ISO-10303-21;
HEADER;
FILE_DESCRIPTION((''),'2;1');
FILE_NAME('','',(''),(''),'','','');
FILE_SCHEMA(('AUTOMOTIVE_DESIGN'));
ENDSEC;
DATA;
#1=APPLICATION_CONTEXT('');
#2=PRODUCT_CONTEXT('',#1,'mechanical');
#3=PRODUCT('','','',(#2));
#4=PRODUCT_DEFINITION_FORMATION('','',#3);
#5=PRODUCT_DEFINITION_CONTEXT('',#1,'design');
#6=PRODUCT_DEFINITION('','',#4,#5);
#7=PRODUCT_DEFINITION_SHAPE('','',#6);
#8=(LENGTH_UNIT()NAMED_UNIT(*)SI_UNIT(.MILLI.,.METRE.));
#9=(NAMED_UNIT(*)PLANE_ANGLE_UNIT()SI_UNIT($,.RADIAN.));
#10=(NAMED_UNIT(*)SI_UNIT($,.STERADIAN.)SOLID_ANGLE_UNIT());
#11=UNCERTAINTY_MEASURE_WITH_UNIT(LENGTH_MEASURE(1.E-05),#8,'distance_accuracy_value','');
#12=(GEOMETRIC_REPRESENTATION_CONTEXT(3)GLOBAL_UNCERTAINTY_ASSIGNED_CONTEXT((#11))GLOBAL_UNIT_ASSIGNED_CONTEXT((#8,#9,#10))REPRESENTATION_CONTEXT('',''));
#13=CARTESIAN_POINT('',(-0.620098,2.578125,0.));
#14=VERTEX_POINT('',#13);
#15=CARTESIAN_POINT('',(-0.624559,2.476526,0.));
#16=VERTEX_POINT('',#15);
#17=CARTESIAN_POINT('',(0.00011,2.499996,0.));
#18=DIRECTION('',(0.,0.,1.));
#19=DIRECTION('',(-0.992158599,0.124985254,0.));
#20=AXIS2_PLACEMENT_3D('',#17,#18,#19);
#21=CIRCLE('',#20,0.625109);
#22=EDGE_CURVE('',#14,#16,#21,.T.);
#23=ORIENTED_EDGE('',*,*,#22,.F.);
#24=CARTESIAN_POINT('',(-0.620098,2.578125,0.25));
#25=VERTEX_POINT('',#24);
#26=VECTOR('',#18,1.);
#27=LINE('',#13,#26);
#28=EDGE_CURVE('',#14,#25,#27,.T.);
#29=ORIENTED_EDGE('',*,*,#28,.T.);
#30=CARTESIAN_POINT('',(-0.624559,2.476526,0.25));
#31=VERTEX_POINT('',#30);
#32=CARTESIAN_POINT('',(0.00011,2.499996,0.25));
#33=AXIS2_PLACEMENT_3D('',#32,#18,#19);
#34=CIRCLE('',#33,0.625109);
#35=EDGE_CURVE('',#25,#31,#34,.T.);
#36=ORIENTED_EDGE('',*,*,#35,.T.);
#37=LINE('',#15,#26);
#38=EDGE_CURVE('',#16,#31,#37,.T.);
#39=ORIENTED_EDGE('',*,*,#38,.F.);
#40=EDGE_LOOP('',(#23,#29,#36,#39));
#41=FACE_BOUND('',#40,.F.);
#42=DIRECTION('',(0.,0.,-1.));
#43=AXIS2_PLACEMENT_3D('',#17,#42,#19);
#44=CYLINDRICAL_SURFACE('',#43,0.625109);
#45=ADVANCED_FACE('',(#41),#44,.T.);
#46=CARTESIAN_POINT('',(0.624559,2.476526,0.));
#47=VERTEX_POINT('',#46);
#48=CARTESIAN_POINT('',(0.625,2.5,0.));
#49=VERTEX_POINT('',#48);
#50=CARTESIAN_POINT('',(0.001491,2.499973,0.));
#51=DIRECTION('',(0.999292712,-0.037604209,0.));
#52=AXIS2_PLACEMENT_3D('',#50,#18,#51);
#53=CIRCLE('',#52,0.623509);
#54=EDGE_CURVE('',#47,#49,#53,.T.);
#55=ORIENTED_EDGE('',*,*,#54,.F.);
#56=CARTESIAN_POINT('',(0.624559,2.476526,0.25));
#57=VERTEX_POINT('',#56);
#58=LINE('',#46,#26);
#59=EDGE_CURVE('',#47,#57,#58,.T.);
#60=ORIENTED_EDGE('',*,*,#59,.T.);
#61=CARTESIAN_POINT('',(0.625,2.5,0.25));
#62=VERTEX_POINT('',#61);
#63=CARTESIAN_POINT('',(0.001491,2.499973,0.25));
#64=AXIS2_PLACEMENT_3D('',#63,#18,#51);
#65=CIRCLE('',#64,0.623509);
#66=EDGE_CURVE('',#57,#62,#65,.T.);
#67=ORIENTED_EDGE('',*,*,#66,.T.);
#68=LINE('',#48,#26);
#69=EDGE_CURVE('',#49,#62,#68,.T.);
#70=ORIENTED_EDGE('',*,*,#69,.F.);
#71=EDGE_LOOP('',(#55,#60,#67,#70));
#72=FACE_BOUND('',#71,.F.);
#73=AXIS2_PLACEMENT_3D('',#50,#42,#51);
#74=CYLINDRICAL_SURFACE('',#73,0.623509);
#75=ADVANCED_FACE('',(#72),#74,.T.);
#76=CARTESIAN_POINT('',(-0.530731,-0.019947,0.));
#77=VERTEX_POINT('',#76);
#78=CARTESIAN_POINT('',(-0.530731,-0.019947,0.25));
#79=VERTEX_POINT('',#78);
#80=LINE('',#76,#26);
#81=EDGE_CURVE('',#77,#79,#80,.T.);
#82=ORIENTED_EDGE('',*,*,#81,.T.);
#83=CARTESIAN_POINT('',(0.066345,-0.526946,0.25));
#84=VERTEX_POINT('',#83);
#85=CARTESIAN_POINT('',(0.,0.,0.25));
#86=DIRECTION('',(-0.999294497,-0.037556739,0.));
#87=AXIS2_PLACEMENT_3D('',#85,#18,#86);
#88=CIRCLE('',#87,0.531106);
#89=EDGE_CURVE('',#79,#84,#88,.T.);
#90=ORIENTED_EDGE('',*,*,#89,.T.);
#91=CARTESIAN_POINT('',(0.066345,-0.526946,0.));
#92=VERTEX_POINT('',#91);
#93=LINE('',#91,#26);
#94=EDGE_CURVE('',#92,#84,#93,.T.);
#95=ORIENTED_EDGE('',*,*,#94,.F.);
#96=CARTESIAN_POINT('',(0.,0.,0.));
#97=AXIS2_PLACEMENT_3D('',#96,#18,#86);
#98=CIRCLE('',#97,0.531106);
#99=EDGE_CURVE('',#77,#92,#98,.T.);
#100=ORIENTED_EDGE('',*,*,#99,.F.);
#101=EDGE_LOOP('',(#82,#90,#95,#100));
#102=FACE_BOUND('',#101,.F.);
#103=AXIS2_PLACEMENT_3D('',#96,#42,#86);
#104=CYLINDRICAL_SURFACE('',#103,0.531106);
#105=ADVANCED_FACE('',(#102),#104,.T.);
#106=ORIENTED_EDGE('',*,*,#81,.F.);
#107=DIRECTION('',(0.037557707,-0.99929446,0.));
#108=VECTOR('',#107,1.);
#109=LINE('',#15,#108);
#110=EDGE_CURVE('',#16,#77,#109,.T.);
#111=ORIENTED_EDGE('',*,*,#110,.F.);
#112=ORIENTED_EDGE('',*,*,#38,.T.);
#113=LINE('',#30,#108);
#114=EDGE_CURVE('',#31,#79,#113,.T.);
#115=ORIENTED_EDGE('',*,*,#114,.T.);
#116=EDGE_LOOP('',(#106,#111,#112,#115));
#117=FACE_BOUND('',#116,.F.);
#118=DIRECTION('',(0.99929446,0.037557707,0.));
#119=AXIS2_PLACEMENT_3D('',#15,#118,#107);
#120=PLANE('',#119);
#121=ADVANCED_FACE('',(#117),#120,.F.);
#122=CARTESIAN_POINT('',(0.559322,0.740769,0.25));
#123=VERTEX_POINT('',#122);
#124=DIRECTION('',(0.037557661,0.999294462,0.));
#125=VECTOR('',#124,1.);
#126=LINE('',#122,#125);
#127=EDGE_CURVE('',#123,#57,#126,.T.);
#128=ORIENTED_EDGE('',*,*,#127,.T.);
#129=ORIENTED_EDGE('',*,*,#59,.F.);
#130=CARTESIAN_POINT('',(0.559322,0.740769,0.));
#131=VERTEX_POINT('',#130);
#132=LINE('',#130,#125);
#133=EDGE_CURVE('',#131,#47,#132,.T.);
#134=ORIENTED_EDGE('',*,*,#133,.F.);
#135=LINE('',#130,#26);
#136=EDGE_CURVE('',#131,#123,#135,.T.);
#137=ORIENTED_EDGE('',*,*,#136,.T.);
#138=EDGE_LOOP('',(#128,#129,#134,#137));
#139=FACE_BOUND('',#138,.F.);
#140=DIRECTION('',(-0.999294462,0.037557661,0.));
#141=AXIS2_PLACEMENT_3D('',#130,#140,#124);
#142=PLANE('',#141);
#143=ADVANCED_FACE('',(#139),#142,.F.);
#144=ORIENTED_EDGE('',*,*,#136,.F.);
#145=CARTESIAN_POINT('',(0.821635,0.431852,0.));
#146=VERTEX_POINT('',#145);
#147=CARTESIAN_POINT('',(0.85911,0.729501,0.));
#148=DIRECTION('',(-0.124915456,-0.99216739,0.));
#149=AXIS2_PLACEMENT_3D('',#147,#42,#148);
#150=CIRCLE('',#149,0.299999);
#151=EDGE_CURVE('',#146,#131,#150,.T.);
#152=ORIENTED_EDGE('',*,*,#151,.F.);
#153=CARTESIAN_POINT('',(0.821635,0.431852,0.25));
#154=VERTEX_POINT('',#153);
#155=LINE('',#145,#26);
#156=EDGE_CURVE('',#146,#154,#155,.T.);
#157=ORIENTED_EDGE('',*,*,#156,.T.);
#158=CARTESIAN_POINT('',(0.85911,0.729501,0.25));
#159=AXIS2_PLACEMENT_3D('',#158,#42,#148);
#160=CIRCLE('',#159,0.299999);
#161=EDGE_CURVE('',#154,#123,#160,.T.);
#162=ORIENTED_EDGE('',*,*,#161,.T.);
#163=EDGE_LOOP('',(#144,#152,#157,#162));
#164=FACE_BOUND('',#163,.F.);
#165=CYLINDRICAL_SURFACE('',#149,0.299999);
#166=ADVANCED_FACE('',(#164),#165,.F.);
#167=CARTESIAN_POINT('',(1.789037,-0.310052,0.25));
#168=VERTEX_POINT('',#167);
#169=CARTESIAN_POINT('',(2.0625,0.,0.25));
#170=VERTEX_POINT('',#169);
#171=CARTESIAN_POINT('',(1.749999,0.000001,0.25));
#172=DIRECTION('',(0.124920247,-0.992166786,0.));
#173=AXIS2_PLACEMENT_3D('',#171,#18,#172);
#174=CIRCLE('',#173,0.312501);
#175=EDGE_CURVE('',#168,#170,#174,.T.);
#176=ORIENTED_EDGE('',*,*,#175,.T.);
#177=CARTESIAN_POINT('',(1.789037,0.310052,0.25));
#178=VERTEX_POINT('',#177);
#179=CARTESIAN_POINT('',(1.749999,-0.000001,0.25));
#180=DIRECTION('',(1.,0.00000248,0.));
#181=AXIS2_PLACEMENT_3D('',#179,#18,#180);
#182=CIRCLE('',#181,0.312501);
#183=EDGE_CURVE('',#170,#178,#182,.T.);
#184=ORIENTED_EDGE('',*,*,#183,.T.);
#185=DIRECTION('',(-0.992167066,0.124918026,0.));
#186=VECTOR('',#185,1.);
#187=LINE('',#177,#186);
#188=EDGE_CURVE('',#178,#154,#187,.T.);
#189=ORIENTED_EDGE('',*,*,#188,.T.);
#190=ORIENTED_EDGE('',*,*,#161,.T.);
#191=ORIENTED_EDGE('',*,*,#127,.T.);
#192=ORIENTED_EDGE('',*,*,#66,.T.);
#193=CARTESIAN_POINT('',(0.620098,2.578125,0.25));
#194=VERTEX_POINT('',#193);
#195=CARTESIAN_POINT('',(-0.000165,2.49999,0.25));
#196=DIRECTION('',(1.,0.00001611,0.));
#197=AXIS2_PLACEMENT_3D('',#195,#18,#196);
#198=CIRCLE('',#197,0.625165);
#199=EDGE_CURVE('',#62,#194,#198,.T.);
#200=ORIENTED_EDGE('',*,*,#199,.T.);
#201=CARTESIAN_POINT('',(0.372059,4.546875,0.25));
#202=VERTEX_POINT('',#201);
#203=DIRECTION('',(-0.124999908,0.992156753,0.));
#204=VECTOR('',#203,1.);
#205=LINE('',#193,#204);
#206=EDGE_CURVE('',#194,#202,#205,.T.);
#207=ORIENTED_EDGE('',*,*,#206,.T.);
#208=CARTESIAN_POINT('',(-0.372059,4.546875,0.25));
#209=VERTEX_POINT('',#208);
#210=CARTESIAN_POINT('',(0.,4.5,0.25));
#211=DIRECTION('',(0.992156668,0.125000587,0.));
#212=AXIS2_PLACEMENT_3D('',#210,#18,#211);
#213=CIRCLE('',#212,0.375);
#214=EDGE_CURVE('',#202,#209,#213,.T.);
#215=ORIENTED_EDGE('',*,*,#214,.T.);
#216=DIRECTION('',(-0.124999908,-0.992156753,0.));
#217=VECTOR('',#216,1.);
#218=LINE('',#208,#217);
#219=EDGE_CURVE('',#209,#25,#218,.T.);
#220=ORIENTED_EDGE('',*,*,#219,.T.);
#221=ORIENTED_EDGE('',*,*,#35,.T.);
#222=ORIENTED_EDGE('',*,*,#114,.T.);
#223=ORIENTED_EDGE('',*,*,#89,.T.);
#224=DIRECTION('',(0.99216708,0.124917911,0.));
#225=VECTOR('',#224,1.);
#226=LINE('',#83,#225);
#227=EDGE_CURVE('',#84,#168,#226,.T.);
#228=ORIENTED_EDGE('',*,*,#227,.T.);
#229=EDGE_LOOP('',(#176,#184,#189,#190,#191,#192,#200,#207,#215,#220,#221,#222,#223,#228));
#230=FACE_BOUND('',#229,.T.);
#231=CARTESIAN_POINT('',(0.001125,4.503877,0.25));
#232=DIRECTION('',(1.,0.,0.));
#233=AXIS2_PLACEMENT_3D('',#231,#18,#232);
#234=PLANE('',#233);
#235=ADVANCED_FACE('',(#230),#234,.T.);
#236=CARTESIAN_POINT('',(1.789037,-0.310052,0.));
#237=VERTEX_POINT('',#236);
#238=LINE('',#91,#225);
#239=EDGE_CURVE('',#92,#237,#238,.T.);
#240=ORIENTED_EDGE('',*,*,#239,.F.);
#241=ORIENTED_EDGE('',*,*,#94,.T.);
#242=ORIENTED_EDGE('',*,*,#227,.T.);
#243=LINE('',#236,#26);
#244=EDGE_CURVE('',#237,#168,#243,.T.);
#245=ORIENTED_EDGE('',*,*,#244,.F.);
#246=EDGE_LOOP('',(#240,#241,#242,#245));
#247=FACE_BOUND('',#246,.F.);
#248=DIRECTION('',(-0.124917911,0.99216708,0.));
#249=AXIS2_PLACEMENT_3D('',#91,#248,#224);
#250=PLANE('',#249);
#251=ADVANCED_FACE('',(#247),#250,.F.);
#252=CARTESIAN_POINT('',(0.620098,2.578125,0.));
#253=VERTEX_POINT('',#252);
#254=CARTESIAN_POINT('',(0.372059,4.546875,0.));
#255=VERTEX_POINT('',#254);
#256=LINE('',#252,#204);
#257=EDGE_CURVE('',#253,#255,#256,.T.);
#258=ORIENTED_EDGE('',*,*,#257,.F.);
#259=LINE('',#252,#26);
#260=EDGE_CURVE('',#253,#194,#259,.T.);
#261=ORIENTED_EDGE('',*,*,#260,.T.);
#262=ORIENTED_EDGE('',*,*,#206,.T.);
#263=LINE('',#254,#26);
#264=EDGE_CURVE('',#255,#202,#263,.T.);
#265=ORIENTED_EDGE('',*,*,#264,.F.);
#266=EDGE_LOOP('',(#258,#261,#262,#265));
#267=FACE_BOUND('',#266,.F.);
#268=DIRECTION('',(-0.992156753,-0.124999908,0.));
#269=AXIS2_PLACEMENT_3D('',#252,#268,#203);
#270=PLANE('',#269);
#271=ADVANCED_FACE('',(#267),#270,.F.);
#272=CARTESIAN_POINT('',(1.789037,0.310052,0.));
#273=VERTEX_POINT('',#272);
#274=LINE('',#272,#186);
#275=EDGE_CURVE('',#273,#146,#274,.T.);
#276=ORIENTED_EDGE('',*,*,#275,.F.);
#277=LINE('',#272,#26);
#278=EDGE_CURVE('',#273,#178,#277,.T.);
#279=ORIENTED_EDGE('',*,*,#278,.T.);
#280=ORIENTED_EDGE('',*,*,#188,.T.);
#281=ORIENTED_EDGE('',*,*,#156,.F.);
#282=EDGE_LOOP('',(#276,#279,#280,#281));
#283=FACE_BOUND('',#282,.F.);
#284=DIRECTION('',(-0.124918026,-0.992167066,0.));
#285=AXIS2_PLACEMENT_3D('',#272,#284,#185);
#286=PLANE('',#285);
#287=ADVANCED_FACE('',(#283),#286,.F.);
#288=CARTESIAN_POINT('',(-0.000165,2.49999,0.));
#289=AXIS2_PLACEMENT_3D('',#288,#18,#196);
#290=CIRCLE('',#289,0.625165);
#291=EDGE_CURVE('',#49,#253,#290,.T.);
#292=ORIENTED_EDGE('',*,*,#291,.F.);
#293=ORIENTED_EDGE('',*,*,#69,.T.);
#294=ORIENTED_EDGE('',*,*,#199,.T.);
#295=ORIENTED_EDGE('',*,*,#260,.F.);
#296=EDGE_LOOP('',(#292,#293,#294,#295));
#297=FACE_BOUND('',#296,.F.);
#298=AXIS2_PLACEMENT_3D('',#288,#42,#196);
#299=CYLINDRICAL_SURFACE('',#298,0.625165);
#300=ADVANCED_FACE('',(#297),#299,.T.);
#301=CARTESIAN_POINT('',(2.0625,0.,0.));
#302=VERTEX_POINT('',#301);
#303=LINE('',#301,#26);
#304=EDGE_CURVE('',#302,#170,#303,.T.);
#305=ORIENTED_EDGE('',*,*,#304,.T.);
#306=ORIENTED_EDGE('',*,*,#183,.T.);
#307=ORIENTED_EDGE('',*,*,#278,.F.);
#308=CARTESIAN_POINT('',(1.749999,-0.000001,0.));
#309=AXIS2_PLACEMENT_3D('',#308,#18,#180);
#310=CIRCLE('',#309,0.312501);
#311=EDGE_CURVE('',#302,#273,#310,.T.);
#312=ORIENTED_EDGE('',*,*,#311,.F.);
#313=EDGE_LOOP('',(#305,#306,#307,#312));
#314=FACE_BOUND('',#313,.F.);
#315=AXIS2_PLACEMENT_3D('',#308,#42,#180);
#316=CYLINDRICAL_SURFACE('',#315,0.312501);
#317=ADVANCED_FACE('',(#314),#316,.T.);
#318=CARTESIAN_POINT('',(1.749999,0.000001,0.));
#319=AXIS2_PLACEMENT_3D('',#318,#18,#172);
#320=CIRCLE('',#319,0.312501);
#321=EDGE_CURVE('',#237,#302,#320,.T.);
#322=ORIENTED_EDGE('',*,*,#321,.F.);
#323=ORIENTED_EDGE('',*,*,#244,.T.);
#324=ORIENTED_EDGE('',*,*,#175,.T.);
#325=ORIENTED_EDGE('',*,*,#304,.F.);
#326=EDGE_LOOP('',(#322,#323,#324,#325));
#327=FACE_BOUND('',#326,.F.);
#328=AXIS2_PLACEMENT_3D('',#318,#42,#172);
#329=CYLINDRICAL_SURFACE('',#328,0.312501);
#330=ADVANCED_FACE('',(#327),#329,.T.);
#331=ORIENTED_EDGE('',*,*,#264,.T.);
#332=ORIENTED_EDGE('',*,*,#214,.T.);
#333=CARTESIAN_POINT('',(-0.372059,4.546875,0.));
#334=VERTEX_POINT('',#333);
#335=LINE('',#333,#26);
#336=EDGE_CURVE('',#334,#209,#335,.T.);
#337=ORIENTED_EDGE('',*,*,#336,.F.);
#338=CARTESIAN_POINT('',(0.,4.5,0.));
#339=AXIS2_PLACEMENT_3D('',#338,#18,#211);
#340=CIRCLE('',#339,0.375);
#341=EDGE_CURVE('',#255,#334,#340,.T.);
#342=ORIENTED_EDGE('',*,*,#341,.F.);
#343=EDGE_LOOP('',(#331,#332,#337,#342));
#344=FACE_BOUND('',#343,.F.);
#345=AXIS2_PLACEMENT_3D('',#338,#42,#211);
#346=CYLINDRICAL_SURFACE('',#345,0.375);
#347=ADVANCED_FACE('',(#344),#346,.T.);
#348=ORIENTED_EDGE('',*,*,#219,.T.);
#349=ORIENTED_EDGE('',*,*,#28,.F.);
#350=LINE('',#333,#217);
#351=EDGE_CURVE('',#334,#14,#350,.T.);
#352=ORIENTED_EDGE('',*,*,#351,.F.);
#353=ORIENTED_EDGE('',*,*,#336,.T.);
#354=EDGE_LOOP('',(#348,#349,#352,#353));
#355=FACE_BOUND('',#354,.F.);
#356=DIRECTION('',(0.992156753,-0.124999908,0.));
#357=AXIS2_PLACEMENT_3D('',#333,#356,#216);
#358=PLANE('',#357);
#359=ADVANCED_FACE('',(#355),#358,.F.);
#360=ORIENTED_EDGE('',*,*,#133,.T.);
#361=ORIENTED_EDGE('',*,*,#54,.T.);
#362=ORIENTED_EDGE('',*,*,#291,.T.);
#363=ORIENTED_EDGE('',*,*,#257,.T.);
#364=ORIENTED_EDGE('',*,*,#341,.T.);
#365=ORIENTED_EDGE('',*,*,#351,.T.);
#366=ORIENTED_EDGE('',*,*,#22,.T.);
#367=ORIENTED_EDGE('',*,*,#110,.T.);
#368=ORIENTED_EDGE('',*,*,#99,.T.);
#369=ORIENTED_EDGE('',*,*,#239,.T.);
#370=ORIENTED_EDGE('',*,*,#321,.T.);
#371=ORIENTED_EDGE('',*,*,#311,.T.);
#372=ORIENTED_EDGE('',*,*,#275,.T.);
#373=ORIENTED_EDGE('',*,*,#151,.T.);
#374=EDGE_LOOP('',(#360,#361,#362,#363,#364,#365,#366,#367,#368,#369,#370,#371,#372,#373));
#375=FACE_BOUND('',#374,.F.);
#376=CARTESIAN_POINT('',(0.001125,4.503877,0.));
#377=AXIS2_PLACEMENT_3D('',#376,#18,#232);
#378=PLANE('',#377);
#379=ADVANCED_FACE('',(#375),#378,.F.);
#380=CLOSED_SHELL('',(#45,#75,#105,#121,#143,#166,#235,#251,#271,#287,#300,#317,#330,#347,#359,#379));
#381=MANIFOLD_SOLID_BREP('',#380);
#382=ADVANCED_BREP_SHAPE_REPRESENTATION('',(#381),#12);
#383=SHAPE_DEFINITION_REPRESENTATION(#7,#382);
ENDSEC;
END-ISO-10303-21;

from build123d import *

# Parameters (mm, degrees)
F1_DEPTH = 0.25


with BuildPart() as f1:
    # F0 (on Top) → F1 (new body)
    with BuildSketch(Plane.XY):
        with BuildLine():
            ThreePointArc((0.372059, 4.546875), (0, 4.875), (-0.372059, 4.546875))
            ThreePointArc((-0.372059, 4.546875), (-0.023484, 4.125736), (0.375, 4.5))
            ThreePointArc((0.375, 4.5), (0.374264, 4.523484), (0.372059, 4.546875))
        make_face()
        with BuildLine():
            Line((-0.372059, 4.546875), (-0.620098, 2.578125))
            ThreePointArc((-0.620098, 2.578125), (0, 3.125), (0.620098, 2.578125))
            Line((0.620098, 2.578125), (0.372059, 4.546875))
            ThreePointArc((0.372059, 4.546875), (0.374264, 4.523484), (0.375, 4.5))
            ThreePointArc((0.375, 4.5), (-0.023484, 4.125736), (-0.372059, 4.546875))
        make_face()
        with BuildLine():
            ThreePointArc((-0.620098, 2.578125), (-0.624398, 2.527417), (-0.624559, 2.476526))
            ThreePointArc((-0.624559, 2.476526), (0, 1.875), (0.624559, 2.476526))
            ThreePointArc((0.624559, 2.476526), (0.62489, 2.488261), (0.625, 2.5))
            ThreePointArc((0.625, 2.5), (0.623773, 2.539139), (0.620098, 2.578125))
            ThreePointArc((0.620098, 2.578125), (0, 3.125), (-0.620098, 2.578125))
        make_face()
        with BuildLine():
            ThreePointArc((-0.530731, -0.019947), (-0.009975, 0.531012), (0.531106, 0))
            ThreePointArc((0.531106, 0), (0.398315, -0.35131), (0.066345, -0.526946))
            Line((0.066345, -0.526946), (1.789037, -0.310052))
            ThreePointArc((1.789037, -0.310052), (1.4375, 0), (1.789037, 0.310052))
            Line((1.789037, 0.310052), (0.821635, 0.431852))
            ThreePointArc((0.821635, 0.431852), (0.630431, 0.535322), (0.559322, 0.740769))
            Line((0.559322, 0.740769), (0.624559, 2.476526))
            ThreePointArc((0.624559, 2.476526), (0, 1.875), (-0.624559, 2.476526))
            Line((-0.624559, 2.476526), (-0.530731, -0.019947))
        make_face()
        with BuildLine():
            ThreePointArc((0.066345, -0.526946), (0.398315, -0.35131), (0.531106, 0))
            ThreePointArc((0.531106, 0), (-0.009975, 0.531012), (-0.530731, -0.019947))
            ThreePointArc((-0.530731, -0.019947), (-0.343767, -0.404843), (0.066345, -0.526946))
        make_face()
        with BuildLine():
            ThreePointArc((1.789037, 0.310052), (1.4375, 0), (1.789037, -0.310052))
            ThreePointArc((1.789037, -0.310052), (1.984366, -0.206709), (2.0625, 0))
            ThreePointArc((2.0625, 0), (1.984366, 0.206709), (1.789037, 0.310052))
        make_face()
    extrude(amount=F1_DEPTH)


solid = f1.part
